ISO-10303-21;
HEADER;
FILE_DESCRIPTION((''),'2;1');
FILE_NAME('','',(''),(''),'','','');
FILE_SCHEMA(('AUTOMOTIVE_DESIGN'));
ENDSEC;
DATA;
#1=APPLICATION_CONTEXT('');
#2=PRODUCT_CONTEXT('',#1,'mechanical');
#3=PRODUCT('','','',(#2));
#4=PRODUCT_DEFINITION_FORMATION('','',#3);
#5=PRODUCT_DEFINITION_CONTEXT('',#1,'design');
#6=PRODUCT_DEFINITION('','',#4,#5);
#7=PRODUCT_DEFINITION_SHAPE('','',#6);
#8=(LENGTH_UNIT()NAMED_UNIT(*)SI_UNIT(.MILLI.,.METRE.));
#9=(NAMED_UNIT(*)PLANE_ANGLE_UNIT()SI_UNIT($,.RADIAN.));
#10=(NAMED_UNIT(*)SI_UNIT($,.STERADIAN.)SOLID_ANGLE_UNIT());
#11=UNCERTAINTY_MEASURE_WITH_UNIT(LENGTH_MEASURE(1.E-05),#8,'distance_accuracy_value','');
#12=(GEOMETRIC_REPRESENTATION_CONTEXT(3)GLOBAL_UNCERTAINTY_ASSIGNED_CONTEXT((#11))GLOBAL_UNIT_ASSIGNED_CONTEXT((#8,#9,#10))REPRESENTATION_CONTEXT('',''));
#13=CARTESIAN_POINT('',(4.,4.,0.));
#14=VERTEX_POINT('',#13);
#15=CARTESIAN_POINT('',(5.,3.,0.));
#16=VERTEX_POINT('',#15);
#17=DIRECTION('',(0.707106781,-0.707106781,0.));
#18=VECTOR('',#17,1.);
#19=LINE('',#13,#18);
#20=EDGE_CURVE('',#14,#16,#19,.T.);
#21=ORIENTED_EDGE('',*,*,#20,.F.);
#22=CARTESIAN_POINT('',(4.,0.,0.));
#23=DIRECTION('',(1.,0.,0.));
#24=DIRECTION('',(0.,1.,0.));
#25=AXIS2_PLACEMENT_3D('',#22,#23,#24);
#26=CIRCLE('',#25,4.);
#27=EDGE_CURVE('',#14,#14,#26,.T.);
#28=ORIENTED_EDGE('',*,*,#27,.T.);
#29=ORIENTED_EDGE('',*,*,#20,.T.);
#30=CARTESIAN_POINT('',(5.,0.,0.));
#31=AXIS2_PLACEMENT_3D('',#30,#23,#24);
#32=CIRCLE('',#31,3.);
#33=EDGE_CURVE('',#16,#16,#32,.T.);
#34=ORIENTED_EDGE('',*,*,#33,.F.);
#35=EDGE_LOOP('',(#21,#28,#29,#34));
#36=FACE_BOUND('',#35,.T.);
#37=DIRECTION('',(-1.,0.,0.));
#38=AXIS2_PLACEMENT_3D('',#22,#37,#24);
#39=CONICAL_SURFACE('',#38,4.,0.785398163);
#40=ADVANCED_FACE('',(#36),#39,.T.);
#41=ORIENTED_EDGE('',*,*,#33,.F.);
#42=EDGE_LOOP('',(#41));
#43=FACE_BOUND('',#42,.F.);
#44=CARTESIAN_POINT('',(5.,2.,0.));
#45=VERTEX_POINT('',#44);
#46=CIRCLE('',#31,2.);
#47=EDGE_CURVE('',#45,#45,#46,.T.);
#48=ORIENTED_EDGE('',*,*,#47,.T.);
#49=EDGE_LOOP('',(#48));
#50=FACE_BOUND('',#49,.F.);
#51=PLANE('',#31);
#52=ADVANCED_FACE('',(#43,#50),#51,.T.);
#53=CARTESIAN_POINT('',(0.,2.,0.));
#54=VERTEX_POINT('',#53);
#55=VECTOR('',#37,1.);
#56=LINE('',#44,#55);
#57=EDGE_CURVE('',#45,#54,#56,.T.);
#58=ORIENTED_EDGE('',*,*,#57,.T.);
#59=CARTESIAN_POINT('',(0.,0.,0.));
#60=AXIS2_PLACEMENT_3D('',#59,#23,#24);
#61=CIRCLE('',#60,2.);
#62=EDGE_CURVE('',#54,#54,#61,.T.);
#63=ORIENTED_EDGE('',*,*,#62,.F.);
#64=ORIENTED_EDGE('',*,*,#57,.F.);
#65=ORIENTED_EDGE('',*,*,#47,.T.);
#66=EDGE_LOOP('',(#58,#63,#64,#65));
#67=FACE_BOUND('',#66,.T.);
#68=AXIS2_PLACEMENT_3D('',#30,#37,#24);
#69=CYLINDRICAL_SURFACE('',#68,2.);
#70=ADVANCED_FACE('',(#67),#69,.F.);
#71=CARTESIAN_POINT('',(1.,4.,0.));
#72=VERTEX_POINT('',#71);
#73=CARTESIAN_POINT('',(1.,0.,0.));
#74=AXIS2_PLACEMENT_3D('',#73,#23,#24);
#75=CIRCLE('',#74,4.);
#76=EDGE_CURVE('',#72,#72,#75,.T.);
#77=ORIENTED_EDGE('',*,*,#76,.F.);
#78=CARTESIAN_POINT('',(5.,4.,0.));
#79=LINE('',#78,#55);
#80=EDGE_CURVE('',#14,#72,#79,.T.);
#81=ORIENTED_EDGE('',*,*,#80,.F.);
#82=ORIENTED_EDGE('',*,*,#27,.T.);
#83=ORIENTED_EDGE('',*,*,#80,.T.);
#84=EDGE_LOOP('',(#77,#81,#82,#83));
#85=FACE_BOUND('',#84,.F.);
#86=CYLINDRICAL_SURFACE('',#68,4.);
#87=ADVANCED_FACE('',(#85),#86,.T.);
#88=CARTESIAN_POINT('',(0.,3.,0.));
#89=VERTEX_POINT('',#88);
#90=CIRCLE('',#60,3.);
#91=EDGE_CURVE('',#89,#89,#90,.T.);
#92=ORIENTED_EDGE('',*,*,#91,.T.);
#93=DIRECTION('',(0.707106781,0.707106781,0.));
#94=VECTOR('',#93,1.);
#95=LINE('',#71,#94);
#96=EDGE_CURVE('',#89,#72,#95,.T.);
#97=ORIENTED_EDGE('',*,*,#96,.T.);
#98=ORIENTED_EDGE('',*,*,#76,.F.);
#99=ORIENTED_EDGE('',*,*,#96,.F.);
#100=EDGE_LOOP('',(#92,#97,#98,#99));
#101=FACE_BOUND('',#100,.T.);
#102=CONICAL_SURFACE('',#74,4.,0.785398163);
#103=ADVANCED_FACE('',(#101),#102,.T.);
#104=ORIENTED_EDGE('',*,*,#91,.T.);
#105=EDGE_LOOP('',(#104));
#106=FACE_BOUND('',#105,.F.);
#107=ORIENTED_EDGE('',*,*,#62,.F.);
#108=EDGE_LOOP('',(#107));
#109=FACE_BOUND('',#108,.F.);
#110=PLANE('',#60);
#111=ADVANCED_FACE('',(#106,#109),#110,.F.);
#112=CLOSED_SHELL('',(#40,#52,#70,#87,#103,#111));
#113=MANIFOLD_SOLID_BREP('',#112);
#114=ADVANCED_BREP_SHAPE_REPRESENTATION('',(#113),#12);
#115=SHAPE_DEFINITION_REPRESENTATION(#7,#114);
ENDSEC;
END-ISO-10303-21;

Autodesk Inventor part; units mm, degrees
ref_plane "YZ Plane" through (0, 0, 0) normal (1, 0, 0) x (0, 1, 0)
ref_plane "XZ Plane" through (0, 0, 0) normal (0, 1, 0) x (-1, 0, 0)
ref_plane "XY Plane" through (0, 0, 0) normal (0, 0, 1) x (1, 0, 0)
sketch "Sketch1" plane through (0, 0, 0) normal (0, 0, 1) x (1, 0, 0)
  line L0 (0, 0) -> (5, 0)
  line L1 (5, 0) -> (5, 4)
  line L2 (5, 4) -> (0, 4)
  line L3 (0, 4) -> (0, 0)
  line L4 (0, 0) -> (5, 0)
  line L5 (5, 0) -> (5, 2)
  line L6 (5, 2) -> (0, 2)
  line L7 (0, 2) -> (0, 0)
  dimension "d0" = 5
  dimension "d1" = 4
  dimension "d2" = 2
revolve "Revolution1" add sketch "Sketch1" angle 360 about axis through (0, 0, 0) along (1, 0, 0) contours L3 L2 L1 L6
chamfer "Chamfer1" distance 1 angle 45 2 edges at (5, -4, 0) (0, -4, 0)
properties part number "Gyűrű"
